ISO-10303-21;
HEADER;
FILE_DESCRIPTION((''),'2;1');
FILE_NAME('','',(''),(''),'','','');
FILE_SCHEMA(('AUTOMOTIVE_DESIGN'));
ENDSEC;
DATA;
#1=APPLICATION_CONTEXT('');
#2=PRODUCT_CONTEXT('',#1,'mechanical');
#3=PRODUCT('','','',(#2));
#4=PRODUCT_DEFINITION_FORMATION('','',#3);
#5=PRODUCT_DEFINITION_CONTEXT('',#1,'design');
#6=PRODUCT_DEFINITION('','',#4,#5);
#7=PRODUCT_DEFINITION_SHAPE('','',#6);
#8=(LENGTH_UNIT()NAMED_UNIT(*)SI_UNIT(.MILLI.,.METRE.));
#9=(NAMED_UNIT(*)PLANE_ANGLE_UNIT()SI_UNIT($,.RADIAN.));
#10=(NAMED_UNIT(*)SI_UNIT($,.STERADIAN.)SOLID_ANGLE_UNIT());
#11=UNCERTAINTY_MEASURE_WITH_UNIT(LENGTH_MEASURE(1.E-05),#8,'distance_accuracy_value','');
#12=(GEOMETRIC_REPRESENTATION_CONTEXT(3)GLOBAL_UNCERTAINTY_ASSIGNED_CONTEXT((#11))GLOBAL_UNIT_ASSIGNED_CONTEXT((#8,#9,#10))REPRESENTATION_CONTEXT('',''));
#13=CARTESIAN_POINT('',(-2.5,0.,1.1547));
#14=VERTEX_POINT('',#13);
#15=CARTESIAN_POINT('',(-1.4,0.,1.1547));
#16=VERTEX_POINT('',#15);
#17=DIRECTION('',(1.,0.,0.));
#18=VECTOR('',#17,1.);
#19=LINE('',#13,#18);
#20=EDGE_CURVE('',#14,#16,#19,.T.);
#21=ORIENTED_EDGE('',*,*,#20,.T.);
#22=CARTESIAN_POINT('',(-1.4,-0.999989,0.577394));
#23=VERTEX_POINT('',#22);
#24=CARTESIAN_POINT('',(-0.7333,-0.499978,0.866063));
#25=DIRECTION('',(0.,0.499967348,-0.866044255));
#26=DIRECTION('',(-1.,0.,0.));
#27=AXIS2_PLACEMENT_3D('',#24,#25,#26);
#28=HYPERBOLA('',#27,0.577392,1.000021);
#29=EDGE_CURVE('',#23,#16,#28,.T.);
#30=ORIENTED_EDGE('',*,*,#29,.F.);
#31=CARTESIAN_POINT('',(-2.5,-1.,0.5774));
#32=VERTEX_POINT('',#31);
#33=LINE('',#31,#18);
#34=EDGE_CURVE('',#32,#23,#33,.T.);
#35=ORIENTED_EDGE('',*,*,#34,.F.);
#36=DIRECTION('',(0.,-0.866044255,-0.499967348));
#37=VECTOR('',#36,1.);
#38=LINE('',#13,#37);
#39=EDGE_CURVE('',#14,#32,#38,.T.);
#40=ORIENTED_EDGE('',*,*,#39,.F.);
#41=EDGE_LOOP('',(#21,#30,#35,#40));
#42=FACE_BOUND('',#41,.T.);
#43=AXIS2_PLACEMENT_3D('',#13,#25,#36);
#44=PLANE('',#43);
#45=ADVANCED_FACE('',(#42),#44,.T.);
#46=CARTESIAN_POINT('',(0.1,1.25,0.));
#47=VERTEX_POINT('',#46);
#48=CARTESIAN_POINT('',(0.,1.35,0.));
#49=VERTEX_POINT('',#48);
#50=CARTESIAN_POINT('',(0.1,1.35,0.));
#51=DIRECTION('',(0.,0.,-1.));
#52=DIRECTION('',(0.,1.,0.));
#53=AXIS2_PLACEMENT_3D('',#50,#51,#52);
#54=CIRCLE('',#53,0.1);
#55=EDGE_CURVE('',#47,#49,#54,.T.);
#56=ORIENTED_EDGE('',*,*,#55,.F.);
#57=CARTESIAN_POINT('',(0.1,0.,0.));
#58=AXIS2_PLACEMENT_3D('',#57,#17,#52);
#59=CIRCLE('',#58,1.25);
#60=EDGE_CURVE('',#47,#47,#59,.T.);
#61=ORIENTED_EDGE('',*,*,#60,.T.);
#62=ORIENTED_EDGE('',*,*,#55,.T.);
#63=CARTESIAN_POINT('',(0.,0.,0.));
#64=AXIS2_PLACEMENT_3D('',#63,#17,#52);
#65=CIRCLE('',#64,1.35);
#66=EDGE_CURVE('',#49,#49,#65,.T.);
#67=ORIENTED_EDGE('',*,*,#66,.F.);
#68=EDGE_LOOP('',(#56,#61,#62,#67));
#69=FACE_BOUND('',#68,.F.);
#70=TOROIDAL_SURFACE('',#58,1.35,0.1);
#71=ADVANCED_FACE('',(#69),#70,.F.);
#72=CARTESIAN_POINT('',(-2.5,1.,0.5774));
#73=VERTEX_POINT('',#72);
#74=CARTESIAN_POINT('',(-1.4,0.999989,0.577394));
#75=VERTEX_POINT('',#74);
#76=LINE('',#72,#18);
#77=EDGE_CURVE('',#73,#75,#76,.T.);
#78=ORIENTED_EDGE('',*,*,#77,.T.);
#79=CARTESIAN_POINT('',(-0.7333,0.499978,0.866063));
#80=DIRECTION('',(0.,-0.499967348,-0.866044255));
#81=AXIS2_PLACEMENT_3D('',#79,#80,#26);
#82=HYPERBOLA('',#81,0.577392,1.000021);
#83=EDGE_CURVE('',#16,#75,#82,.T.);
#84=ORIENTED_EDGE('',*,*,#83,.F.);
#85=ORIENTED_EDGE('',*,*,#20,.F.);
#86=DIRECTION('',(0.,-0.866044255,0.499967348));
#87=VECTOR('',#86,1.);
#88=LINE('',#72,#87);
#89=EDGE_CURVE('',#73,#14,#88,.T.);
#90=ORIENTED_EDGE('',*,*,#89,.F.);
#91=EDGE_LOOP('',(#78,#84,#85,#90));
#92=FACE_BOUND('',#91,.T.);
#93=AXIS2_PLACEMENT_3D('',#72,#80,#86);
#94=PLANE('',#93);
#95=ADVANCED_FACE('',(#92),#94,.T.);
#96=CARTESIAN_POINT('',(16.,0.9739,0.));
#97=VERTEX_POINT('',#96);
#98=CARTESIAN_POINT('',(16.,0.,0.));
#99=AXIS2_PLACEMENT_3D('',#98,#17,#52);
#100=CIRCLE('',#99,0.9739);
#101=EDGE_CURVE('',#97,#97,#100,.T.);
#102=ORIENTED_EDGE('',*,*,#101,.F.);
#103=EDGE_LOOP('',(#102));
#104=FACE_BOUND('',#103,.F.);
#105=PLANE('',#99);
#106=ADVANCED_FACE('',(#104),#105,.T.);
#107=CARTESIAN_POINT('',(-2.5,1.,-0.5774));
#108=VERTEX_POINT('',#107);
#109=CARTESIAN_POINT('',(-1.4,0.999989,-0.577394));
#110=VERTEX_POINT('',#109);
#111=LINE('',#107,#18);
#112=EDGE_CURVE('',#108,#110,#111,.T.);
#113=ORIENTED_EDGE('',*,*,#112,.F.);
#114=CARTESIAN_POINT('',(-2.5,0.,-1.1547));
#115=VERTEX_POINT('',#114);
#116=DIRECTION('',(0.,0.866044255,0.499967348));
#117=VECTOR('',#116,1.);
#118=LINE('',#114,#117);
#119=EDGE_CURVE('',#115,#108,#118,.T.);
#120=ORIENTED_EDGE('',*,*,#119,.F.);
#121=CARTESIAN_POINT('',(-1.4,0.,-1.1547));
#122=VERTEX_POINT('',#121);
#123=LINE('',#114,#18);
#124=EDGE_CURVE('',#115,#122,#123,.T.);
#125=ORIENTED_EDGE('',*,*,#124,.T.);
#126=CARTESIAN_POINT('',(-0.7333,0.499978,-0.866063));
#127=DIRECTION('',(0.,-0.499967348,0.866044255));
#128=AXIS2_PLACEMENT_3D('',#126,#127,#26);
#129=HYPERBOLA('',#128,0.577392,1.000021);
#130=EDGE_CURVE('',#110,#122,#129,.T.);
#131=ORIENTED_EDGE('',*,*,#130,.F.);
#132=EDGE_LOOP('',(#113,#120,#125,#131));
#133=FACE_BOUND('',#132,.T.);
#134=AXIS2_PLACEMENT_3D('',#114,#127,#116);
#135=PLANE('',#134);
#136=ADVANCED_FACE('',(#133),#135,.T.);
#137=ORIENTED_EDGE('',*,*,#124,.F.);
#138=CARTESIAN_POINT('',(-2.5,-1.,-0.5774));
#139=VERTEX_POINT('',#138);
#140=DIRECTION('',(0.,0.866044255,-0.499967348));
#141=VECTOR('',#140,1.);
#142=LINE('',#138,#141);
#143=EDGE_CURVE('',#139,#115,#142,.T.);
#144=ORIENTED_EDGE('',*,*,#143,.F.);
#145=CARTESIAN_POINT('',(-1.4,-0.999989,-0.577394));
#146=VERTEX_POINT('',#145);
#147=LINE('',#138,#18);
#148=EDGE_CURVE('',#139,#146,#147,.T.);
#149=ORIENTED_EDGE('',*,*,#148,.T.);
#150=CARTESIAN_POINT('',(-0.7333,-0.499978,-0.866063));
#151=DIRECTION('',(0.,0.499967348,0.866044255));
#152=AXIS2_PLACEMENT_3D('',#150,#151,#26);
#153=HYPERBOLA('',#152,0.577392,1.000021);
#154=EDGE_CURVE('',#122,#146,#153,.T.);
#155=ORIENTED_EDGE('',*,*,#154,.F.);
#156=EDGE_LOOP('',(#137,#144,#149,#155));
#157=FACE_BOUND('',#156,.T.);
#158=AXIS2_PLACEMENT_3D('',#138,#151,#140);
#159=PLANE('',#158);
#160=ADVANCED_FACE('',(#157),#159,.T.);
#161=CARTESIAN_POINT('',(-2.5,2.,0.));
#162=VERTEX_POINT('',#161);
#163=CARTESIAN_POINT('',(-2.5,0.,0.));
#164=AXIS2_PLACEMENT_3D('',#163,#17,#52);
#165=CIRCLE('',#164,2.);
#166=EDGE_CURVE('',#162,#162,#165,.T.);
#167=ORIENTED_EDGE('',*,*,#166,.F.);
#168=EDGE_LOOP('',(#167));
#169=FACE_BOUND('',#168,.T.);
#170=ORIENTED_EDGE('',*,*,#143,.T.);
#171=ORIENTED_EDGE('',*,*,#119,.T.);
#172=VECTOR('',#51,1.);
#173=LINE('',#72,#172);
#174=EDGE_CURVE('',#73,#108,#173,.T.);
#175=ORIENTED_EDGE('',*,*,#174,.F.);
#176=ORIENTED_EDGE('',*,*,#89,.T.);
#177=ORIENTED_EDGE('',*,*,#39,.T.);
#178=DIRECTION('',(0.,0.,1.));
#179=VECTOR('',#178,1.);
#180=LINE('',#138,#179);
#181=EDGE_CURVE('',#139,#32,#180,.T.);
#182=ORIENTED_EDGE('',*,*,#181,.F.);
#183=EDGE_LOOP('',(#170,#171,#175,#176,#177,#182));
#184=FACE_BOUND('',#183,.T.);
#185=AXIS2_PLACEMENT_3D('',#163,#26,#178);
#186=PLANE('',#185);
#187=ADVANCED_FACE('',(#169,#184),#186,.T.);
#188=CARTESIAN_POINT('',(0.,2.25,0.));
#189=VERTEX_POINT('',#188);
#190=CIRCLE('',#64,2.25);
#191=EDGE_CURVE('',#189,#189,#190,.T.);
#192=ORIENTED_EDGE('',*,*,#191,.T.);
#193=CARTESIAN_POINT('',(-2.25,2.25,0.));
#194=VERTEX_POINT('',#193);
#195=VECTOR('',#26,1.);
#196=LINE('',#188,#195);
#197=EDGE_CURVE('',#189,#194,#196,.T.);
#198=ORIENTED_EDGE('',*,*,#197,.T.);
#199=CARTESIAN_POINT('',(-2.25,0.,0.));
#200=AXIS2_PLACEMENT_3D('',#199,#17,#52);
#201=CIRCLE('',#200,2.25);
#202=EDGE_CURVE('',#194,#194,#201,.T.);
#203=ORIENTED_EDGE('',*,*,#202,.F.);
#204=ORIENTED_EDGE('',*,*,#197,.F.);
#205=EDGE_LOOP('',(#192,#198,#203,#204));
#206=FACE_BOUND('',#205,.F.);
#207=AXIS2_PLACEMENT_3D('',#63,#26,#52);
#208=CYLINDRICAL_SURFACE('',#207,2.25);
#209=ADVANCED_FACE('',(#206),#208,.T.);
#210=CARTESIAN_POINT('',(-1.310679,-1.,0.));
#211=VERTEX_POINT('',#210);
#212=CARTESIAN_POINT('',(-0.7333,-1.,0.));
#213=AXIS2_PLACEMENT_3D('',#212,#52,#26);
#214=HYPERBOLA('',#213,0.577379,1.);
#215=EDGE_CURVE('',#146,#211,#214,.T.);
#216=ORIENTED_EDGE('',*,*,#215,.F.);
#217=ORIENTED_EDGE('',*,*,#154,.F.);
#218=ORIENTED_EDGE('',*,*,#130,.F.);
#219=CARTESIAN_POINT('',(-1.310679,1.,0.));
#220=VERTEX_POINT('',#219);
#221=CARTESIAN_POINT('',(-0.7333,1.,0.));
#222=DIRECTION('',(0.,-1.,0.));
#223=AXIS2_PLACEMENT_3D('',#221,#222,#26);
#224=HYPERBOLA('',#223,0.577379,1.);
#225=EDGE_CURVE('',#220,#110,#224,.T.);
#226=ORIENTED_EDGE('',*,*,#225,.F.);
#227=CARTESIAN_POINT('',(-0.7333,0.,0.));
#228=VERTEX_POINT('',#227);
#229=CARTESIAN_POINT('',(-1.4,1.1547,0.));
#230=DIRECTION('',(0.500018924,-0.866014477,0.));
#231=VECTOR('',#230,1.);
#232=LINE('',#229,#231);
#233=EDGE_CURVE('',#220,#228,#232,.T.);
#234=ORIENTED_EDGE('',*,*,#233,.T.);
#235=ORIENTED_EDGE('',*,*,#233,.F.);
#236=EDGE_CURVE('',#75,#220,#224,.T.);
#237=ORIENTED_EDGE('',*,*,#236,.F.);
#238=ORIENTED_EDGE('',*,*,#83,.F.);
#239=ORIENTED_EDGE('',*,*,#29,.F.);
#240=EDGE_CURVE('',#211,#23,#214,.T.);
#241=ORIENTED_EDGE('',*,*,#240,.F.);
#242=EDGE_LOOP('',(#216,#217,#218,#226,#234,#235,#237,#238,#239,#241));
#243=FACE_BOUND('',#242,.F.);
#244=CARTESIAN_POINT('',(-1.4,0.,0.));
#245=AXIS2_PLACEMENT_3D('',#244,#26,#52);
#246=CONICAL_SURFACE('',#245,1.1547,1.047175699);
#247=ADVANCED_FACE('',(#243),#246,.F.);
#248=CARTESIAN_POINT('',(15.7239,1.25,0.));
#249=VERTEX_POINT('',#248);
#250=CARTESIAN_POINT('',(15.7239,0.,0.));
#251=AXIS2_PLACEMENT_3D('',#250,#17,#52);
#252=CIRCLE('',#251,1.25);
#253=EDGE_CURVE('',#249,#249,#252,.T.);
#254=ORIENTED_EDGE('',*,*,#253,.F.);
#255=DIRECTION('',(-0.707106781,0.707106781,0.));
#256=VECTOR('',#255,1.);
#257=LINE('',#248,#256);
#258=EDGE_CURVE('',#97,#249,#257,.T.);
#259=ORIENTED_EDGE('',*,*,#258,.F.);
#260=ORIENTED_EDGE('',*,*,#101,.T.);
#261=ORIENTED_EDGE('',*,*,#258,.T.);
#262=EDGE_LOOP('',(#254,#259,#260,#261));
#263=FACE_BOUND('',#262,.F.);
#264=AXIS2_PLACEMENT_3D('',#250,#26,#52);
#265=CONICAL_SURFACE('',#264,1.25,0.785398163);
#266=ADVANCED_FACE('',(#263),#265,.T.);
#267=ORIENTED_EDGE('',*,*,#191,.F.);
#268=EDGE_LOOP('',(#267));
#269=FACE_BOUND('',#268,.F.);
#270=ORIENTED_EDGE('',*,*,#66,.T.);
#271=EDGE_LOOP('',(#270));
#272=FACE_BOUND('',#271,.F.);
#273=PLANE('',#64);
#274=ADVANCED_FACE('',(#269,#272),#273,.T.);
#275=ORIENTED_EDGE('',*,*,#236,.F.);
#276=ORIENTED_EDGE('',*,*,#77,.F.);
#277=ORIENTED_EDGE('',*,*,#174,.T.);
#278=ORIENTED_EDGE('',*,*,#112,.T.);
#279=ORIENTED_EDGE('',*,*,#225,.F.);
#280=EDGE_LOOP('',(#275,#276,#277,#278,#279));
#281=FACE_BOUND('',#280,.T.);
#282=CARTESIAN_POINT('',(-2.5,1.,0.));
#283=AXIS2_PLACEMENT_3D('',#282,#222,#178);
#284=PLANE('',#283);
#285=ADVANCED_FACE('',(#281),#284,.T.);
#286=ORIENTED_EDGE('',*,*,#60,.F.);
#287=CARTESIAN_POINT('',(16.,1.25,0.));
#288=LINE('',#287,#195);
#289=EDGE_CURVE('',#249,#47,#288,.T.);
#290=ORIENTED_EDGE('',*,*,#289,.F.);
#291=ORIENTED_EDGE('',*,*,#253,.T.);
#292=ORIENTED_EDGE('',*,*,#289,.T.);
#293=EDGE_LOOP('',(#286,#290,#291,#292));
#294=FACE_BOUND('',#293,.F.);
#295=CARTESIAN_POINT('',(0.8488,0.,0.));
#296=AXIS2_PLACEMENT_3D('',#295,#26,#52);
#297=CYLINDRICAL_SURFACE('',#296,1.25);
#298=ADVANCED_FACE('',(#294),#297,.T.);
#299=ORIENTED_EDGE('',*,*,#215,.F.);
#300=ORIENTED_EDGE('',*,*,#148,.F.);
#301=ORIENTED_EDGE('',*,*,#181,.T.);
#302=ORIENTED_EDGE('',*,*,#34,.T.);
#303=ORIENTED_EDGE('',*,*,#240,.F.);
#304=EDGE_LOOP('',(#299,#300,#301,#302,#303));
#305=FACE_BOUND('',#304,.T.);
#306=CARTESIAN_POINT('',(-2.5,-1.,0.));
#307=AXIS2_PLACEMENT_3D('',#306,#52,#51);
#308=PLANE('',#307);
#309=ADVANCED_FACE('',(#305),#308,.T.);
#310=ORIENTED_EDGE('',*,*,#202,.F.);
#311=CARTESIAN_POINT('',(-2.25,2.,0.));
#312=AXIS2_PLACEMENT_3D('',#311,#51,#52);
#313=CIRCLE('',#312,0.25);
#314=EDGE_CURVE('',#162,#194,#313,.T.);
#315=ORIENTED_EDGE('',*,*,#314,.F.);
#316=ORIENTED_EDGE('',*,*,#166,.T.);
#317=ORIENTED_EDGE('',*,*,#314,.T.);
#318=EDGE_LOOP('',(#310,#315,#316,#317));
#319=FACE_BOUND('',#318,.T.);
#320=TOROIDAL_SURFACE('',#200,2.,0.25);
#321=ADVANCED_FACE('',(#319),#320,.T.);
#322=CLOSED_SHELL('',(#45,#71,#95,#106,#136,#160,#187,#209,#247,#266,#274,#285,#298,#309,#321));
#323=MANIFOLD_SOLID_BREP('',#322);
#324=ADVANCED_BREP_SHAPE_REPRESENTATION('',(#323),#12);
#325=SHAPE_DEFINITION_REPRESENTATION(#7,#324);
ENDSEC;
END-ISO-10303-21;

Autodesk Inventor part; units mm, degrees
ref_plane "YZ Plane" through (0, 0, 0) normal (1, 0, 0) x (0, 1, 0)
ref_plane "XZ Plane" through (0, 0, 0) normal (0, 1, 0) x (-1, 0, 0)
sketch "Sketch1" plane through (0, 0, 0) normal (0, 0, 1) x (1, 0, 0)
  line L0 (-0.7333, 0) -> (16, 0)
  line L1 (16, 0) -> (16, 1.25)
  line L2 (16, 1.25) -> (1.125, 1.25)
  line L3 (1.125, 1.25) -> (0.8488, 1.25)
  line L4 (0.8488, 1.25) -> (0, 1.25)
  line L5 (0, 1.25) -> (0, 2.25)
  line L6 (0, 2.25) -> (-2.5, 2.25)
  line L7 (-2.5, 2.25) -> (-2.5, 1.1547)
  line L8 (-2.5, 1.1547) -> (-1.4, 1.1547)
  line L9 (-1.4, 1.1547) -> (-0.7333, 0)
  line L10 (-6.2, 0) -> (19.7, 0) projected
  line L11 (0, -0.45) -> (0, 2.7) projected
  line L12 (1.125, 1.25) -> (0, 1.25) construction
  dimension "d1" = 14.875
  dimension "d2" = 0.2762
  dimension "d3" = 2.5
  dimension "d4" = 1.1
  dimension "d5" = 60
  dimension "d6" = 2.5
  dimension "d7" = 2.5
  dimension "d8" = 2.3094
  dimension "d9" = 4.5
  dimension "d26" = 16
revolve "Body" add sketch "Sketch1" angle 360 about axis through (-0.7333, 0, 0) along (1, 0, 0)
sketch "Sketch2" plane through (-2.5, 0, 0) normal (-1, 0, 0) x (0, 0, 1)
  circle A0 centre (0, 0) radius 1.1547 projected
  line L0 (0, -3.15) -> (0, 3.15) projected
  line L1 (-3.15, 0) -> (3.15, 0) projected
  line L2 (1.1547, 0) -> (0.5774, -1)
  line L3 (0.5774, -1) -> (-0.5774, -1)
  line L4 (-0.5774, -1) -> (-1.1547, 0)
  line L5 (-1.1547, 0) -> (-0.5774, 1)
  line L6 (-0.5774, 1) -> (0.5774, 1)
  line L7 (0.5774, 1) -> (1.1547, 0)
extrude "Slot" add sketch "Sketch2" against normal up to next contours L7 A0 | A0 L2 | L6 L0 A0 | A0 L0 L3 | L0 L6 A0 | A0 L3 L0 | L4 A0 | A0 L5
fillet "Fillet1" radius 0.25 1 edges at (-2.5, -2.25, 0)
thread "Thread" size "M2.5x0.45" class "6g" standard "ISO Metric profile" length 14.875
chamfer "Chamfer1" distance 0.2761 distance2 0.2761 1 edges at (16, -1.25, 0) measured on face at (16, -0.3871, -0.3429)
ref_plane "Work Plane1" through (29, 0, 0) normal (0, -1, 0) x (1, 0, 0)
fillet "Fillet2" radius 0.1 1 edges at (0, -1.25, 0)
equation "\"d1\" = GEL"
equation "\"d3\" = KOH"
equation "\"d4\" = INTI"
equation "\"d6\" = GD"
equation "\"d7\" = BDM"
equation "\"d8\" = 1.1547 * SW"
equation "\"d9\" = KOD"
equation "\"d26\" = NLG"
equation "\"d30\" = R"
equation "\"d17\" = RR"
equation "\"d13\" = GEL"
equation "\"d15\" = -0.5 * SPD + 0.5 * GD"
equation "\"d16\" = GUL"
equation "\"GD\" = 2.5"
equation "\"NLG\" = 16"
equation "\"GEL\" = 14.875"
equation "\"KOD\" = 4.5"
equation "\"KOH\" = 2.5"
equation "\"INTI\" = 1.1"
equation "\"GAL\" = 0.61345 * PTC"
equation "\"GUL\" = 0.61345 * PTC"
equation "\"BDM\" = NND"
equation "\"SW\" = 2"
equation "\"RR\" = 0.25"
equation "\"SPD\" = NND - 1.2269 * PTC"
equation "\"R\" = 0.1"
equation "\"TOA\" = 30deg"
equation "\"GD1\" = THREADDIA - 1.2269 * PTC"
equation "\"THREADDIA\" = 2.5"
equation "\"FAWI\" = 45deg"
equation "\"PTC\" = 0.45"
equation "\"NND\" = 2.5"
equation "\"E0\" = 1.155 * SW"
properties part number "ISO 4762 - M2,5 x 16" material "Stainless Steel, 440C"
